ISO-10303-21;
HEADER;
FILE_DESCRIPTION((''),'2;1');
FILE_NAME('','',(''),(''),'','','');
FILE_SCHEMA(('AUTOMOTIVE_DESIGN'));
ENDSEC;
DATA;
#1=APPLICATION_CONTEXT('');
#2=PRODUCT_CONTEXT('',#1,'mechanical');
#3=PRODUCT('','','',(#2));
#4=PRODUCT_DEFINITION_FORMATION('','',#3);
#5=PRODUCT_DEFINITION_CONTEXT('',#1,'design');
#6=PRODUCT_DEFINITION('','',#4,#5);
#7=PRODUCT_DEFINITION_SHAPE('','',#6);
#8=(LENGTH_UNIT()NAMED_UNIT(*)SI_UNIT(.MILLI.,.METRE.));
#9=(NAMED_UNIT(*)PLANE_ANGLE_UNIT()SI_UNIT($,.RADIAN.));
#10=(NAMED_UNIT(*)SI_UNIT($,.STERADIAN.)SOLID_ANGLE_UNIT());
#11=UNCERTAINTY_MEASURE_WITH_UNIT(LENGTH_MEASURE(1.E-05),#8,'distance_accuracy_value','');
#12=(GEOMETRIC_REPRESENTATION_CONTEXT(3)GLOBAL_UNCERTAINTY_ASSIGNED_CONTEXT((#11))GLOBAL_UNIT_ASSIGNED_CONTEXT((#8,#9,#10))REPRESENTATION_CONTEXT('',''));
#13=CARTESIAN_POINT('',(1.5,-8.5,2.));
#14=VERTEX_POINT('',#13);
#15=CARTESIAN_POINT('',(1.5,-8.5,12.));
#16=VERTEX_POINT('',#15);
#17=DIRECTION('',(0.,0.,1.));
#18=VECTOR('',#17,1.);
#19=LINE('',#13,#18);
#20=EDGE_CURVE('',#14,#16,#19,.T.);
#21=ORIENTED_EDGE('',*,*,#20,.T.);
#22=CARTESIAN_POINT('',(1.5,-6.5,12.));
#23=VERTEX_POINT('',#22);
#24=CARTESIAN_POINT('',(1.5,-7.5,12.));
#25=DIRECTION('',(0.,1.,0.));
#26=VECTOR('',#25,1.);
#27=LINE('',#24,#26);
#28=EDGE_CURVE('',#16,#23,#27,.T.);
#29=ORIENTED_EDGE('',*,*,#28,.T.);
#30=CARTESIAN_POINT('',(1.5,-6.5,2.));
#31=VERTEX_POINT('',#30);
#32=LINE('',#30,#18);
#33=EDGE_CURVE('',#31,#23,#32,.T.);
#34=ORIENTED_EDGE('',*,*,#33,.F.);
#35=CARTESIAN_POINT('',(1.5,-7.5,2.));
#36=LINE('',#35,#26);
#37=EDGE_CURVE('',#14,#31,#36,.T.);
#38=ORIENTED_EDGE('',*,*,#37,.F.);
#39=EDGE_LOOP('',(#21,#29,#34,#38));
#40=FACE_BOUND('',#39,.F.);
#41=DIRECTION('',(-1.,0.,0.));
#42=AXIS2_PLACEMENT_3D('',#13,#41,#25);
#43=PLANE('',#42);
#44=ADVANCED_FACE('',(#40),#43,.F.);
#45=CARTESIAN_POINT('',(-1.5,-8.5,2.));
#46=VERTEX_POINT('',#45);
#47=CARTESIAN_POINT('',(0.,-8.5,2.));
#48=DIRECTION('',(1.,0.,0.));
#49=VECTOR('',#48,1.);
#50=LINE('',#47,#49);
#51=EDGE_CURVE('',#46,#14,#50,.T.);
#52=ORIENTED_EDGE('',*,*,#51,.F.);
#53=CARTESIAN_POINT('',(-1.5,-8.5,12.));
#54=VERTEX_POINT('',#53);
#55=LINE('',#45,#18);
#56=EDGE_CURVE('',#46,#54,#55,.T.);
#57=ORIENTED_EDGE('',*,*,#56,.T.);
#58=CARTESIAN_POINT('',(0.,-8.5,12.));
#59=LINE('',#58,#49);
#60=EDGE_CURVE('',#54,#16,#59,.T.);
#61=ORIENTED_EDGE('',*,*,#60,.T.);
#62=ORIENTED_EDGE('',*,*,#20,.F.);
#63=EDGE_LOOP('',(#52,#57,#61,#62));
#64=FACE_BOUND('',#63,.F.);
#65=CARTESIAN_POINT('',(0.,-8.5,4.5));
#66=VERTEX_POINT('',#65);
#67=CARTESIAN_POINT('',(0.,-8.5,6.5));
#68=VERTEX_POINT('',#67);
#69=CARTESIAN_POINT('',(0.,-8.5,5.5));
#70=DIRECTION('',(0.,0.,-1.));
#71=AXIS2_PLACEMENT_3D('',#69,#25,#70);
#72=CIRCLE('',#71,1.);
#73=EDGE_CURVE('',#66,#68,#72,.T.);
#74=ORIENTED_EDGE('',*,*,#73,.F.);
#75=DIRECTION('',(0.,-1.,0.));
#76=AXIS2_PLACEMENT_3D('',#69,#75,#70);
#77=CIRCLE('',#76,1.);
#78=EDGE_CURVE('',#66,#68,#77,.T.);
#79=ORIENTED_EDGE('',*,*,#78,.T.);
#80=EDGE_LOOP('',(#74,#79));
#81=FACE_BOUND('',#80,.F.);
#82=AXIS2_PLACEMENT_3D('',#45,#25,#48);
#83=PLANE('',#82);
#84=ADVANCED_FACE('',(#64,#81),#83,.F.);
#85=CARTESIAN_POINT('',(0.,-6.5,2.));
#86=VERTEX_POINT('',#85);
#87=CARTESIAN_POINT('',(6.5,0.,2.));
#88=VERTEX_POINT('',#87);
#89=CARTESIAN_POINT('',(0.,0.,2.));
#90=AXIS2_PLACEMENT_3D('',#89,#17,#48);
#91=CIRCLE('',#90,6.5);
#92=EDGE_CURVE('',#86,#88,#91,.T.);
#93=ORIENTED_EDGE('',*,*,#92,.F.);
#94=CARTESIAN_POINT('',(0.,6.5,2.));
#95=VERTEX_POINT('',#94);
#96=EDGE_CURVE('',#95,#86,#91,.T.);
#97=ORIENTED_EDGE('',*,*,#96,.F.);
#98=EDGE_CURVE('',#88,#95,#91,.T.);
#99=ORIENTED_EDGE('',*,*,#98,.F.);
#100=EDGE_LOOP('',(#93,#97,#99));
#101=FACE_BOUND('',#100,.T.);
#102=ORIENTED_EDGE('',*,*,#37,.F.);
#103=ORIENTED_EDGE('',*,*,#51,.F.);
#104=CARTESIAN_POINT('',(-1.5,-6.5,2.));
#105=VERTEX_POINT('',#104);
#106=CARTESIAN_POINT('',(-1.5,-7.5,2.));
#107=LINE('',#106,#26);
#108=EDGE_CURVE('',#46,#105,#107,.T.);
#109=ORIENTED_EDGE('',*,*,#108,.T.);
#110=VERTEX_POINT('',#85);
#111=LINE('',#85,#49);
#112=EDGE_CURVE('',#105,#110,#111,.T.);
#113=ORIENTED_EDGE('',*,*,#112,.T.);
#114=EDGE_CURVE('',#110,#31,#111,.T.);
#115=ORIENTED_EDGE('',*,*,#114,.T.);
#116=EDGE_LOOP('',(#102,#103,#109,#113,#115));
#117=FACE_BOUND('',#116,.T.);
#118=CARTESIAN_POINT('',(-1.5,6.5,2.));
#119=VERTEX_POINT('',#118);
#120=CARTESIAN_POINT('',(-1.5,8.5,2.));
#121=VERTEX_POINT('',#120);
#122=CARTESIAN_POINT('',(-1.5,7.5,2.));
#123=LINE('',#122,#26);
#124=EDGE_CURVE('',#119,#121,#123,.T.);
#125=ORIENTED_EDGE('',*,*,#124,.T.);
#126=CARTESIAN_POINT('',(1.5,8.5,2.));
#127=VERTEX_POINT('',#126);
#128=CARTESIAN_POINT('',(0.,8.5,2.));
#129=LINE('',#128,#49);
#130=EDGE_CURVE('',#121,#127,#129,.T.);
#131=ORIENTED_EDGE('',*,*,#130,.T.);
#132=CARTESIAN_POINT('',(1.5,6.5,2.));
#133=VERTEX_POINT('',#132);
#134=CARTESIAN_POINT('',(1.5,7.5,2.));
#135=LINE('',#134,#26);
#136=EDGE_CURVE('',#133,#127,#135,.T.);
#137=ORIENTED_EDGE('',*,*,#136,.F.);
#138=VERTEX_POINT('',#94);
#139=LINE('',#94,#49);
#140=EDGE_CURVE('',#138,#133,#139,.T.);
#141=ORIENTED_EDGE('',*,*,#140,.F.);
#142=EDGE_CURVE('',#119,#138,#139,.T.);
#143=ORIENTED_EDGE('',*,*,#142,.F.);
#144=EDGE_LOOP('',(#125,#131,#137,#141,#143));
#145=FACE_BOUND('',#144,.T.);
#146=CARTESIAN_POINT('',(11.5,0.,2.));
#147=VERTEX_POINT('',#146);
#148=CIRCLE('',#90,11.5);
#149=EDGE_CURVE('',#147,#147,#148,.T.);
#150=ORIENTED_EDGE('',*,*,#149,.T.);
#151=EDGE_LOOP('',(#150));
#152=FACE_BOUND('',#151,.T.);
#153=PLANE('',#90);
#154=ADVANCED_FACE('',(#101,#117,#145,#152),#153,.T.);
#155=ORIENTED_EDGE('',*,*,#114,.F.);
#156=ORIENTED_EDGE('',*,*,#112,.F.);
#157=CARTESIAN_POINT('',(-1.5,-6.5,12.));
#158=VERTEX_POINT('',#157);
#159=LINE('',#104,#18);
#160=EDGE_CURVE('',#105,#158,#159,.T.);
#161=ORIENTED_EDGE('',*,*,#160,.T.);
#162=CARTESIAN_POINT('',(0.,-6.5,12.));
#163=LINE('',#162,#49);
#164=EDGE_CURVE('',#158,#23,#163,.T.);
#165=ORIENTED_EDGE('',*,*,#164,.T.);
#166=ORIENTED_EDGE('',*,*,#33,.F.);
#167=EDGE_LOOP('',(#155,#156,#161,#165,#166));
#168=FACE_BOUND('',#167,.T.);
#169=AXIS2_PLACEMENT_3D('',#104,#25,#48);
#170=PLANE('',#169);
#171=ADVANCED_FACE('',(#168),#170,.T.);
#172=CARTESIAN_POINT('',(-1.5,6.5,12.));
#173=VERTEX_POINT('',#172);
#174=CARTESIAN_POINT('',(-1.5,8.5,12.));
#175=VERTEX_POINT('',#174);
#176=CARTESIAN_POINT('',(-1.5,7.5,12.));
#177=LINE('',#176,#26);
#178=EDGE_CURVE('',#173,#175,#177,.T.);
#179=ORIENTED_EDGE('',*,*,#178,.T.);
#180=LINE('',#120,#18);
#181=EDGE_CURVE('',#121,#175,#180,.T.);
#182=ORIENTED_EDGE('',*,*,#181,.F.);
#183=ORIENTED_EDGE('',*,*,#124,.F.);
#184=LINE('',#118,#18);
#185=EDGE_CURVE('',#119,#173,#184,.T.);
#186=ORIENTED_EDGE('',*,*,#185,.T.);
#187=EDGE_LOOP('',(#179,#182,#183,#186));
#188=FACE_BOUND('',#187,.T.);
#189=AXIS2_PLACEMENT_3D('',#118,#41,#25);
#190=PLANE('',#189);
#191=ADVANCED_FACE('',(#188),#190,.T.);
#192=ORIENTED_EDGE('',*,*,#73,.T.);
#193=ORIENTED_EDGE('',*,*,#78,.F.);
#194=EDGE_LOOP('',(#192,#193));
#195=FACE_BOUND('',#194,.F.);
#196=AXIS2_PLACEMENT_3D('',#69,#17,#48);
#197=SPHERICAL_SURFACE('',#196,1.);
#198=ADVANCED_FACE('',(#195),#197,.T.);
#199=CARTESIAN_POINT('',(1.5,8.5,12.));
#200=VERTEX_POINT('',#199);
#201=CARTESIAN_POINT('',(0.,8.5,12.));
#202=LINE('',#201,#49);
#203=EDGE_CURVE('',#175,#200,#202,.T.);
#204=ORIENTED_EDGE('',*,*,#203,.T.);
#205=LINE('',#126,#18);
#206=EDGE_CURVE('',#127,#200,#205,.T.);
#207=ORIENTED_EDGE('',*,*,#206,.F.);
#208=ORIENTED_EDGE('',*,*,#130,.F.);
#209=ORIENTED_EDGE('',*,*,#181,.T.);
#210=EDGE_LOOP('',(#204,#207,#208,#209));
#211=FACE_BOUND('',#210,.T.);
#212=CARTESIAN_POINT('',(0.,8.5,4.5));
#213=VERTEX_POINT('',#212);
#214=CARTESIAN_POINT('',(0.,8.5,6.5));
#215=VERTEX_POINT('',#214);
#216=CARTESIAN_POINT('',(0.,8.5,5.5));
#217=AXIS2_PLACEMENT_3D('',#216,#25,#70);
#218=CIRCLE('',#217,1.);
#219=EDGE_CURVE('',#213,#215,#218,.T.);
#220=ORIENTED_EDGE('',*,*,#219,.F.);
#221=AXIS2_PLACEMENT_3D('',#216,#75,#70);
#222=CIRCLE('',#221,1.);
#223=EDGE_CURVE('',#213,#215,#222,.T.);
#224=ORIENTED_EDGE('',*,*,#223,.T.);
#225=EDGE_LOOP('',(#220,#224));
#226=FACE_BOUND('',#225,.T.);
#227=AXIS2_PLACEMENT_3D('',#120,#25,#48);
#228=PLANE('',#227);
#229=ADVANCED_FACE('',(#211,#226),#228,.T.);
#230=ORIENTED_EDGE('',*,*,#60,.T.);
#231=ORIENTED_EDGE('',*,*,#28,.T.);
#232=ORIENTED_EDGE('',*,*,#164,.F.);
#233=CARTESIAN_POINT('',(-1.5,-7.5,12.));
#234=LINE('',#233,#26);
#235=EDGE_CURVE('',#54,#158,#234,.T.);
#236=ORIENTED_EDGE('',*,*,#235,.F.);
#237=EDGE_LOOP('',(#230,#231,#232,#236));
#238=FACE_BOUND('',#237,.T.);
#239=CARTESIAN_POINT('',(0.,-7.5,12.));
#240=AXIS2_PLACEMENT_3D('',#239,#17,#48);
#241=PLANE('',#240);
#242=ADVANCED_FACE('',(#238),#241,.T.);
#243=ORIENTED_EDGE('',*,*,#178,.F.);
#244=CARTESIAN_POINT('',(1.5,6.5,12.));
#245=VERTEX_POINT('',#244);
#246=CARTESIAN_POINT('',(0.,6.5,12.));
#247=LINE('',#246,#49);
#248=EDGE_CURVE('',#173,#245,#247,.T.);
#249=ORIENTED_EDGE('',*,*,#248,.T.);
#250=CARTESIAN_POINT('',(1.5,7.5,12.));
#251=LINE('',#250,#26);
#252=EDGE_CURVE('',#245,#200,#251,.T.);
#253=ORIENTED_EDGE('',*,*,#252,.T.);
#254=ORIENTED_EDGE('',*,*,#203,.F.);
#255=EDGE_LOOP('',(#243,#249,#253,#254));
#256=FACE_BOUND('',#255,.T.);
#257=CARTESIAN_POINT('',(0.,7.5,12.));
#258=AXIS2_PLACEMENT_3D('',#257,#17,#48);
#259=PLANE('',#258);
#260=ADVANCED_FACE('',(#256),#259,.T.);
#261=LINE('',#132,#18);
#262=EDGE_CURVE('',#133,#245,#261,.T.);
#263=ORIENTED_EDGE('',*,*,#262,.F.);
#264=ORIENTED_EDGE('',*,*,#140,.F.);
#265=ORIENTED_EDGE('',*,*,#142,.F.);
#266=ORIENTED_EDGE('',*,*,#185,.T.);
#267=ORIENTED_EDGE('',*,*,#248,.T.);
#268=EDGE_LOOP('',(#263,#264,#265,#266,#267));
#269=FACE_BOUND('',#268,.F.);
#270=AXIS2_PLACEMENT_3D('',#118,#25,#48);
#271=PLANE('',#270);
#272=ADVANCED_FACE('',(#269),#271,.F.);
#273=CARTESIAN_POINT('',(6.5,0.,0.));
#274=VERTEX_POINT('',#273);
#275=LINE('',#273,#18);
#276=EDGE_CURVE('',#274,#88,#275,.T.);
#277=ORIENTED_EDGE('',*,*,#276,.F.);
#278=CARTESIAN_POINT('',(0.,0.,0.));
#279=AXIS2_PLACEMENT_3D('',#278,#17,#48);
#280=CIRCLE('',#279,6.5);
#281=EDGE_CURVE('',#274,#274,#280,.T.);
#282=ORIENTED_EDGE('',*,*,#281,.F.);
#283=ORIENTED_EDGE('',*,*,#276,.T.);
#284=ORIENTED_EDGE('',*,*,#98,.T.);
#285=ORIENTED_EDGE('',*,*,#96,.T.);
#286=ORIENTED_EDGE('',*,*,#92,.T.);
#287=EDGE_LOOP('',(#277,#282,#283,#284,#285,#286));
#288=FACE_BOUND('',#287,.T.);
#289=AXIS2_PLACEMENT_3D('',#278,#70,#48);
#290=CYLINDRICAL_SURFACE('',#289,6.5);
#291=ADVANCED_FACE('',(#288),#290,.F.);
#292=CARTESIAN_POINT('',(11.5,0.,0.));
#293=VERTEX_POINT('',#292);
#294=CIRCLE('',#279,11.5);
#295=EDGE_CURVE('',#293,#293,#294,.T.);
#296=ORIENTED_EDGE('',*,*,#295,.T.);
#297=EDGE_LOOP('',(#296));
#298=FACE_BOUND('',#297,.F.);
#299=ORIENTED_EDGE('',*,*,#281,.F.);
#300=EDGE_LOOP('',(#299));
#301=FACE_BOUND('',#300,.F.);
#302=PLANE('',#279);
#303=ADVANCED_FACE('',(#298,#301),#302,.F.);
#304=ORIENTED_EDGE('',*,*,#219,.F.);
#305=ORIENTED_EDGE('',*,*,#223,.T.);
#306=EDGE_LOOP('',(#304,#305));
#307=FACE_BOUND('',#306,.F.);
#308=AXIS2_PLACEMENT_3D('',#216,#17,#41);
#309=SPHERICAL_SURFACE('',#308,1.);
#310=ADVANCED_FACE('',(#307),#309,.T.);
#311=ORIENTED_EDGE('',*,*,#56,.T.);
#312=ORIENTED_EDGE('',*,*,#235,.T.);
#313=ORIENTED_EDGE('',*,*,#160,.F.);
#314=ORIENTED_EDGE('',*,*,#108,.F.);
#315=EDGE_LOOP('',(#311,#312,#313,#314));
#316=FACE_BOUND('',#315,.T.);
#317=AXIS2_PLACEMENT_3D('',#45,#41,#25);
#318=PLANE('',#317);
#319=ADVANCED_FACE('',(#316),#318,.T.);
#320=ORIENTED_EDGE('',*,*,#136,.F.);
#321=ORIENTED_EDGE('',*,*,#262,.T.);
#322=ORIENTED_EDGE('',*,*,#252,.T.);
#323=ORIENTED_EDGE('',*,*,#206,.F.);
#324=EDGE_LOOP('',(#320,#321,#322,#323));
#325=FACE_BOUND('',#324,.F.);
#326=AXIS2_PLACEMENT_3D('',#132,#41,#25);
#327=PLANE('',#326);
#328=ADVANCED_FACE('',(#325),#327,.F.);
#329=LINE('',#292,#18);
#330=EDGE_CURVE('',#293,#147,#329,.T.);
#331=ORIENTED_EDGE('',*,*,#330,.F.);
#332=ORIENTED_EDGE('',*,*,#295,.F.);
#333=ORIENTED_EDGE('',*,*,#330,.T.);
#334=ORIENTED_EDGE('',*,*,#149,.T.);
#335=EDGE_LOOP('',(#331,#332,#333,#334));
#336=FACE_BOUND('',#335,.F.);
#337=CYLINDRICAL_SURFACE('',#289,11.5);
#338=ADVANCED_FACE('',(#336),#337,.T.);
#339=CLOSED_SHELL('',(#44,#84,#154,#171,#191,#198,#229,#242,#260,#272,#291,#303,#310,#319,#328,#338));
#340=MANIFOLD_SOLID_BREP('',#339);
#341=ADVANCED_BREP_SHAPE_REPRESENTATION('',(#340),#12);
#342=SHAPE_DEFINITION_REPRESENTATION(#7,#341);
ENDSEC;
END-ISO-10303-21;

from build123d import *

# Parameters (mm, degrees)
SKETCH150_R         = 11.5
SKETCH150_R_2       = 6.5
PAD061_DEPTH        = 2
SKETCH151_W         = 3
SKETCH151_H         = 2
PAD062_DEPTH        = 10
REVOLUTION013_ANGLE = -180
REVOLUTION014_ANGLE = -180


with BuildPart() as part:
    # Sketch150 → Pad061 (new body)
    with BuildSketch(Plane.XY):
        Circle(SKETCH150_R)
        Circle(SKETCH150_R_2, mode=Mode.SUBTRACT)
    extrude(amount=PAD061_DEPTH)

    # Sketch151 (on Face4 of Pad061) → Pad062 (join)
    with BuildSketch(Plane.XY.offset(2)):
        with Locations((0, 7.5)):
            Rectangle(SKETCH151_W, SKETCH151_H)
        with Locations((0, -7.5)):
            Rectangle(SKETCH151_W, SKETCH151_H)
    extrude(amount=PAD062_DEPTH)

    # Sketch152 (on Face11 of Pad062) → Revolution013 (revolve)
    with BuildSketch(Plane.XZ.offset(8.5)):
        with BuildLine():
            ThreePointArc((0, 4.5), (1, 5.5), (0, 6.5))
            Line((0, 6.5), (0, 4.5))
        make_face()
    revolve(axis=Axis((0, -8.5, 0), (0, 0, 1)), revolution_arc=REVOLUTION013_ANGLE)

    # Sketch153 (on Face7 of Revolution013) → Revolution014 (revolve)
    with BuildSketch(Plane(origin=(0, 8.5, 0), x_dir=(-1, 0, 0), z_dir=(0, 1, 0))):
        with BuildLine():
            ThreePointArc((0, 4.5), (1, 5.5), (0, 6.5))
            Line((0, 6.5), (0, 4.5))
        make_face()
    revolve(axis=Axis((0, 8.5, 0), (0, 0, 1)), revolution_arc=REVOLUTION014_ANGLE)


solid = part.part
